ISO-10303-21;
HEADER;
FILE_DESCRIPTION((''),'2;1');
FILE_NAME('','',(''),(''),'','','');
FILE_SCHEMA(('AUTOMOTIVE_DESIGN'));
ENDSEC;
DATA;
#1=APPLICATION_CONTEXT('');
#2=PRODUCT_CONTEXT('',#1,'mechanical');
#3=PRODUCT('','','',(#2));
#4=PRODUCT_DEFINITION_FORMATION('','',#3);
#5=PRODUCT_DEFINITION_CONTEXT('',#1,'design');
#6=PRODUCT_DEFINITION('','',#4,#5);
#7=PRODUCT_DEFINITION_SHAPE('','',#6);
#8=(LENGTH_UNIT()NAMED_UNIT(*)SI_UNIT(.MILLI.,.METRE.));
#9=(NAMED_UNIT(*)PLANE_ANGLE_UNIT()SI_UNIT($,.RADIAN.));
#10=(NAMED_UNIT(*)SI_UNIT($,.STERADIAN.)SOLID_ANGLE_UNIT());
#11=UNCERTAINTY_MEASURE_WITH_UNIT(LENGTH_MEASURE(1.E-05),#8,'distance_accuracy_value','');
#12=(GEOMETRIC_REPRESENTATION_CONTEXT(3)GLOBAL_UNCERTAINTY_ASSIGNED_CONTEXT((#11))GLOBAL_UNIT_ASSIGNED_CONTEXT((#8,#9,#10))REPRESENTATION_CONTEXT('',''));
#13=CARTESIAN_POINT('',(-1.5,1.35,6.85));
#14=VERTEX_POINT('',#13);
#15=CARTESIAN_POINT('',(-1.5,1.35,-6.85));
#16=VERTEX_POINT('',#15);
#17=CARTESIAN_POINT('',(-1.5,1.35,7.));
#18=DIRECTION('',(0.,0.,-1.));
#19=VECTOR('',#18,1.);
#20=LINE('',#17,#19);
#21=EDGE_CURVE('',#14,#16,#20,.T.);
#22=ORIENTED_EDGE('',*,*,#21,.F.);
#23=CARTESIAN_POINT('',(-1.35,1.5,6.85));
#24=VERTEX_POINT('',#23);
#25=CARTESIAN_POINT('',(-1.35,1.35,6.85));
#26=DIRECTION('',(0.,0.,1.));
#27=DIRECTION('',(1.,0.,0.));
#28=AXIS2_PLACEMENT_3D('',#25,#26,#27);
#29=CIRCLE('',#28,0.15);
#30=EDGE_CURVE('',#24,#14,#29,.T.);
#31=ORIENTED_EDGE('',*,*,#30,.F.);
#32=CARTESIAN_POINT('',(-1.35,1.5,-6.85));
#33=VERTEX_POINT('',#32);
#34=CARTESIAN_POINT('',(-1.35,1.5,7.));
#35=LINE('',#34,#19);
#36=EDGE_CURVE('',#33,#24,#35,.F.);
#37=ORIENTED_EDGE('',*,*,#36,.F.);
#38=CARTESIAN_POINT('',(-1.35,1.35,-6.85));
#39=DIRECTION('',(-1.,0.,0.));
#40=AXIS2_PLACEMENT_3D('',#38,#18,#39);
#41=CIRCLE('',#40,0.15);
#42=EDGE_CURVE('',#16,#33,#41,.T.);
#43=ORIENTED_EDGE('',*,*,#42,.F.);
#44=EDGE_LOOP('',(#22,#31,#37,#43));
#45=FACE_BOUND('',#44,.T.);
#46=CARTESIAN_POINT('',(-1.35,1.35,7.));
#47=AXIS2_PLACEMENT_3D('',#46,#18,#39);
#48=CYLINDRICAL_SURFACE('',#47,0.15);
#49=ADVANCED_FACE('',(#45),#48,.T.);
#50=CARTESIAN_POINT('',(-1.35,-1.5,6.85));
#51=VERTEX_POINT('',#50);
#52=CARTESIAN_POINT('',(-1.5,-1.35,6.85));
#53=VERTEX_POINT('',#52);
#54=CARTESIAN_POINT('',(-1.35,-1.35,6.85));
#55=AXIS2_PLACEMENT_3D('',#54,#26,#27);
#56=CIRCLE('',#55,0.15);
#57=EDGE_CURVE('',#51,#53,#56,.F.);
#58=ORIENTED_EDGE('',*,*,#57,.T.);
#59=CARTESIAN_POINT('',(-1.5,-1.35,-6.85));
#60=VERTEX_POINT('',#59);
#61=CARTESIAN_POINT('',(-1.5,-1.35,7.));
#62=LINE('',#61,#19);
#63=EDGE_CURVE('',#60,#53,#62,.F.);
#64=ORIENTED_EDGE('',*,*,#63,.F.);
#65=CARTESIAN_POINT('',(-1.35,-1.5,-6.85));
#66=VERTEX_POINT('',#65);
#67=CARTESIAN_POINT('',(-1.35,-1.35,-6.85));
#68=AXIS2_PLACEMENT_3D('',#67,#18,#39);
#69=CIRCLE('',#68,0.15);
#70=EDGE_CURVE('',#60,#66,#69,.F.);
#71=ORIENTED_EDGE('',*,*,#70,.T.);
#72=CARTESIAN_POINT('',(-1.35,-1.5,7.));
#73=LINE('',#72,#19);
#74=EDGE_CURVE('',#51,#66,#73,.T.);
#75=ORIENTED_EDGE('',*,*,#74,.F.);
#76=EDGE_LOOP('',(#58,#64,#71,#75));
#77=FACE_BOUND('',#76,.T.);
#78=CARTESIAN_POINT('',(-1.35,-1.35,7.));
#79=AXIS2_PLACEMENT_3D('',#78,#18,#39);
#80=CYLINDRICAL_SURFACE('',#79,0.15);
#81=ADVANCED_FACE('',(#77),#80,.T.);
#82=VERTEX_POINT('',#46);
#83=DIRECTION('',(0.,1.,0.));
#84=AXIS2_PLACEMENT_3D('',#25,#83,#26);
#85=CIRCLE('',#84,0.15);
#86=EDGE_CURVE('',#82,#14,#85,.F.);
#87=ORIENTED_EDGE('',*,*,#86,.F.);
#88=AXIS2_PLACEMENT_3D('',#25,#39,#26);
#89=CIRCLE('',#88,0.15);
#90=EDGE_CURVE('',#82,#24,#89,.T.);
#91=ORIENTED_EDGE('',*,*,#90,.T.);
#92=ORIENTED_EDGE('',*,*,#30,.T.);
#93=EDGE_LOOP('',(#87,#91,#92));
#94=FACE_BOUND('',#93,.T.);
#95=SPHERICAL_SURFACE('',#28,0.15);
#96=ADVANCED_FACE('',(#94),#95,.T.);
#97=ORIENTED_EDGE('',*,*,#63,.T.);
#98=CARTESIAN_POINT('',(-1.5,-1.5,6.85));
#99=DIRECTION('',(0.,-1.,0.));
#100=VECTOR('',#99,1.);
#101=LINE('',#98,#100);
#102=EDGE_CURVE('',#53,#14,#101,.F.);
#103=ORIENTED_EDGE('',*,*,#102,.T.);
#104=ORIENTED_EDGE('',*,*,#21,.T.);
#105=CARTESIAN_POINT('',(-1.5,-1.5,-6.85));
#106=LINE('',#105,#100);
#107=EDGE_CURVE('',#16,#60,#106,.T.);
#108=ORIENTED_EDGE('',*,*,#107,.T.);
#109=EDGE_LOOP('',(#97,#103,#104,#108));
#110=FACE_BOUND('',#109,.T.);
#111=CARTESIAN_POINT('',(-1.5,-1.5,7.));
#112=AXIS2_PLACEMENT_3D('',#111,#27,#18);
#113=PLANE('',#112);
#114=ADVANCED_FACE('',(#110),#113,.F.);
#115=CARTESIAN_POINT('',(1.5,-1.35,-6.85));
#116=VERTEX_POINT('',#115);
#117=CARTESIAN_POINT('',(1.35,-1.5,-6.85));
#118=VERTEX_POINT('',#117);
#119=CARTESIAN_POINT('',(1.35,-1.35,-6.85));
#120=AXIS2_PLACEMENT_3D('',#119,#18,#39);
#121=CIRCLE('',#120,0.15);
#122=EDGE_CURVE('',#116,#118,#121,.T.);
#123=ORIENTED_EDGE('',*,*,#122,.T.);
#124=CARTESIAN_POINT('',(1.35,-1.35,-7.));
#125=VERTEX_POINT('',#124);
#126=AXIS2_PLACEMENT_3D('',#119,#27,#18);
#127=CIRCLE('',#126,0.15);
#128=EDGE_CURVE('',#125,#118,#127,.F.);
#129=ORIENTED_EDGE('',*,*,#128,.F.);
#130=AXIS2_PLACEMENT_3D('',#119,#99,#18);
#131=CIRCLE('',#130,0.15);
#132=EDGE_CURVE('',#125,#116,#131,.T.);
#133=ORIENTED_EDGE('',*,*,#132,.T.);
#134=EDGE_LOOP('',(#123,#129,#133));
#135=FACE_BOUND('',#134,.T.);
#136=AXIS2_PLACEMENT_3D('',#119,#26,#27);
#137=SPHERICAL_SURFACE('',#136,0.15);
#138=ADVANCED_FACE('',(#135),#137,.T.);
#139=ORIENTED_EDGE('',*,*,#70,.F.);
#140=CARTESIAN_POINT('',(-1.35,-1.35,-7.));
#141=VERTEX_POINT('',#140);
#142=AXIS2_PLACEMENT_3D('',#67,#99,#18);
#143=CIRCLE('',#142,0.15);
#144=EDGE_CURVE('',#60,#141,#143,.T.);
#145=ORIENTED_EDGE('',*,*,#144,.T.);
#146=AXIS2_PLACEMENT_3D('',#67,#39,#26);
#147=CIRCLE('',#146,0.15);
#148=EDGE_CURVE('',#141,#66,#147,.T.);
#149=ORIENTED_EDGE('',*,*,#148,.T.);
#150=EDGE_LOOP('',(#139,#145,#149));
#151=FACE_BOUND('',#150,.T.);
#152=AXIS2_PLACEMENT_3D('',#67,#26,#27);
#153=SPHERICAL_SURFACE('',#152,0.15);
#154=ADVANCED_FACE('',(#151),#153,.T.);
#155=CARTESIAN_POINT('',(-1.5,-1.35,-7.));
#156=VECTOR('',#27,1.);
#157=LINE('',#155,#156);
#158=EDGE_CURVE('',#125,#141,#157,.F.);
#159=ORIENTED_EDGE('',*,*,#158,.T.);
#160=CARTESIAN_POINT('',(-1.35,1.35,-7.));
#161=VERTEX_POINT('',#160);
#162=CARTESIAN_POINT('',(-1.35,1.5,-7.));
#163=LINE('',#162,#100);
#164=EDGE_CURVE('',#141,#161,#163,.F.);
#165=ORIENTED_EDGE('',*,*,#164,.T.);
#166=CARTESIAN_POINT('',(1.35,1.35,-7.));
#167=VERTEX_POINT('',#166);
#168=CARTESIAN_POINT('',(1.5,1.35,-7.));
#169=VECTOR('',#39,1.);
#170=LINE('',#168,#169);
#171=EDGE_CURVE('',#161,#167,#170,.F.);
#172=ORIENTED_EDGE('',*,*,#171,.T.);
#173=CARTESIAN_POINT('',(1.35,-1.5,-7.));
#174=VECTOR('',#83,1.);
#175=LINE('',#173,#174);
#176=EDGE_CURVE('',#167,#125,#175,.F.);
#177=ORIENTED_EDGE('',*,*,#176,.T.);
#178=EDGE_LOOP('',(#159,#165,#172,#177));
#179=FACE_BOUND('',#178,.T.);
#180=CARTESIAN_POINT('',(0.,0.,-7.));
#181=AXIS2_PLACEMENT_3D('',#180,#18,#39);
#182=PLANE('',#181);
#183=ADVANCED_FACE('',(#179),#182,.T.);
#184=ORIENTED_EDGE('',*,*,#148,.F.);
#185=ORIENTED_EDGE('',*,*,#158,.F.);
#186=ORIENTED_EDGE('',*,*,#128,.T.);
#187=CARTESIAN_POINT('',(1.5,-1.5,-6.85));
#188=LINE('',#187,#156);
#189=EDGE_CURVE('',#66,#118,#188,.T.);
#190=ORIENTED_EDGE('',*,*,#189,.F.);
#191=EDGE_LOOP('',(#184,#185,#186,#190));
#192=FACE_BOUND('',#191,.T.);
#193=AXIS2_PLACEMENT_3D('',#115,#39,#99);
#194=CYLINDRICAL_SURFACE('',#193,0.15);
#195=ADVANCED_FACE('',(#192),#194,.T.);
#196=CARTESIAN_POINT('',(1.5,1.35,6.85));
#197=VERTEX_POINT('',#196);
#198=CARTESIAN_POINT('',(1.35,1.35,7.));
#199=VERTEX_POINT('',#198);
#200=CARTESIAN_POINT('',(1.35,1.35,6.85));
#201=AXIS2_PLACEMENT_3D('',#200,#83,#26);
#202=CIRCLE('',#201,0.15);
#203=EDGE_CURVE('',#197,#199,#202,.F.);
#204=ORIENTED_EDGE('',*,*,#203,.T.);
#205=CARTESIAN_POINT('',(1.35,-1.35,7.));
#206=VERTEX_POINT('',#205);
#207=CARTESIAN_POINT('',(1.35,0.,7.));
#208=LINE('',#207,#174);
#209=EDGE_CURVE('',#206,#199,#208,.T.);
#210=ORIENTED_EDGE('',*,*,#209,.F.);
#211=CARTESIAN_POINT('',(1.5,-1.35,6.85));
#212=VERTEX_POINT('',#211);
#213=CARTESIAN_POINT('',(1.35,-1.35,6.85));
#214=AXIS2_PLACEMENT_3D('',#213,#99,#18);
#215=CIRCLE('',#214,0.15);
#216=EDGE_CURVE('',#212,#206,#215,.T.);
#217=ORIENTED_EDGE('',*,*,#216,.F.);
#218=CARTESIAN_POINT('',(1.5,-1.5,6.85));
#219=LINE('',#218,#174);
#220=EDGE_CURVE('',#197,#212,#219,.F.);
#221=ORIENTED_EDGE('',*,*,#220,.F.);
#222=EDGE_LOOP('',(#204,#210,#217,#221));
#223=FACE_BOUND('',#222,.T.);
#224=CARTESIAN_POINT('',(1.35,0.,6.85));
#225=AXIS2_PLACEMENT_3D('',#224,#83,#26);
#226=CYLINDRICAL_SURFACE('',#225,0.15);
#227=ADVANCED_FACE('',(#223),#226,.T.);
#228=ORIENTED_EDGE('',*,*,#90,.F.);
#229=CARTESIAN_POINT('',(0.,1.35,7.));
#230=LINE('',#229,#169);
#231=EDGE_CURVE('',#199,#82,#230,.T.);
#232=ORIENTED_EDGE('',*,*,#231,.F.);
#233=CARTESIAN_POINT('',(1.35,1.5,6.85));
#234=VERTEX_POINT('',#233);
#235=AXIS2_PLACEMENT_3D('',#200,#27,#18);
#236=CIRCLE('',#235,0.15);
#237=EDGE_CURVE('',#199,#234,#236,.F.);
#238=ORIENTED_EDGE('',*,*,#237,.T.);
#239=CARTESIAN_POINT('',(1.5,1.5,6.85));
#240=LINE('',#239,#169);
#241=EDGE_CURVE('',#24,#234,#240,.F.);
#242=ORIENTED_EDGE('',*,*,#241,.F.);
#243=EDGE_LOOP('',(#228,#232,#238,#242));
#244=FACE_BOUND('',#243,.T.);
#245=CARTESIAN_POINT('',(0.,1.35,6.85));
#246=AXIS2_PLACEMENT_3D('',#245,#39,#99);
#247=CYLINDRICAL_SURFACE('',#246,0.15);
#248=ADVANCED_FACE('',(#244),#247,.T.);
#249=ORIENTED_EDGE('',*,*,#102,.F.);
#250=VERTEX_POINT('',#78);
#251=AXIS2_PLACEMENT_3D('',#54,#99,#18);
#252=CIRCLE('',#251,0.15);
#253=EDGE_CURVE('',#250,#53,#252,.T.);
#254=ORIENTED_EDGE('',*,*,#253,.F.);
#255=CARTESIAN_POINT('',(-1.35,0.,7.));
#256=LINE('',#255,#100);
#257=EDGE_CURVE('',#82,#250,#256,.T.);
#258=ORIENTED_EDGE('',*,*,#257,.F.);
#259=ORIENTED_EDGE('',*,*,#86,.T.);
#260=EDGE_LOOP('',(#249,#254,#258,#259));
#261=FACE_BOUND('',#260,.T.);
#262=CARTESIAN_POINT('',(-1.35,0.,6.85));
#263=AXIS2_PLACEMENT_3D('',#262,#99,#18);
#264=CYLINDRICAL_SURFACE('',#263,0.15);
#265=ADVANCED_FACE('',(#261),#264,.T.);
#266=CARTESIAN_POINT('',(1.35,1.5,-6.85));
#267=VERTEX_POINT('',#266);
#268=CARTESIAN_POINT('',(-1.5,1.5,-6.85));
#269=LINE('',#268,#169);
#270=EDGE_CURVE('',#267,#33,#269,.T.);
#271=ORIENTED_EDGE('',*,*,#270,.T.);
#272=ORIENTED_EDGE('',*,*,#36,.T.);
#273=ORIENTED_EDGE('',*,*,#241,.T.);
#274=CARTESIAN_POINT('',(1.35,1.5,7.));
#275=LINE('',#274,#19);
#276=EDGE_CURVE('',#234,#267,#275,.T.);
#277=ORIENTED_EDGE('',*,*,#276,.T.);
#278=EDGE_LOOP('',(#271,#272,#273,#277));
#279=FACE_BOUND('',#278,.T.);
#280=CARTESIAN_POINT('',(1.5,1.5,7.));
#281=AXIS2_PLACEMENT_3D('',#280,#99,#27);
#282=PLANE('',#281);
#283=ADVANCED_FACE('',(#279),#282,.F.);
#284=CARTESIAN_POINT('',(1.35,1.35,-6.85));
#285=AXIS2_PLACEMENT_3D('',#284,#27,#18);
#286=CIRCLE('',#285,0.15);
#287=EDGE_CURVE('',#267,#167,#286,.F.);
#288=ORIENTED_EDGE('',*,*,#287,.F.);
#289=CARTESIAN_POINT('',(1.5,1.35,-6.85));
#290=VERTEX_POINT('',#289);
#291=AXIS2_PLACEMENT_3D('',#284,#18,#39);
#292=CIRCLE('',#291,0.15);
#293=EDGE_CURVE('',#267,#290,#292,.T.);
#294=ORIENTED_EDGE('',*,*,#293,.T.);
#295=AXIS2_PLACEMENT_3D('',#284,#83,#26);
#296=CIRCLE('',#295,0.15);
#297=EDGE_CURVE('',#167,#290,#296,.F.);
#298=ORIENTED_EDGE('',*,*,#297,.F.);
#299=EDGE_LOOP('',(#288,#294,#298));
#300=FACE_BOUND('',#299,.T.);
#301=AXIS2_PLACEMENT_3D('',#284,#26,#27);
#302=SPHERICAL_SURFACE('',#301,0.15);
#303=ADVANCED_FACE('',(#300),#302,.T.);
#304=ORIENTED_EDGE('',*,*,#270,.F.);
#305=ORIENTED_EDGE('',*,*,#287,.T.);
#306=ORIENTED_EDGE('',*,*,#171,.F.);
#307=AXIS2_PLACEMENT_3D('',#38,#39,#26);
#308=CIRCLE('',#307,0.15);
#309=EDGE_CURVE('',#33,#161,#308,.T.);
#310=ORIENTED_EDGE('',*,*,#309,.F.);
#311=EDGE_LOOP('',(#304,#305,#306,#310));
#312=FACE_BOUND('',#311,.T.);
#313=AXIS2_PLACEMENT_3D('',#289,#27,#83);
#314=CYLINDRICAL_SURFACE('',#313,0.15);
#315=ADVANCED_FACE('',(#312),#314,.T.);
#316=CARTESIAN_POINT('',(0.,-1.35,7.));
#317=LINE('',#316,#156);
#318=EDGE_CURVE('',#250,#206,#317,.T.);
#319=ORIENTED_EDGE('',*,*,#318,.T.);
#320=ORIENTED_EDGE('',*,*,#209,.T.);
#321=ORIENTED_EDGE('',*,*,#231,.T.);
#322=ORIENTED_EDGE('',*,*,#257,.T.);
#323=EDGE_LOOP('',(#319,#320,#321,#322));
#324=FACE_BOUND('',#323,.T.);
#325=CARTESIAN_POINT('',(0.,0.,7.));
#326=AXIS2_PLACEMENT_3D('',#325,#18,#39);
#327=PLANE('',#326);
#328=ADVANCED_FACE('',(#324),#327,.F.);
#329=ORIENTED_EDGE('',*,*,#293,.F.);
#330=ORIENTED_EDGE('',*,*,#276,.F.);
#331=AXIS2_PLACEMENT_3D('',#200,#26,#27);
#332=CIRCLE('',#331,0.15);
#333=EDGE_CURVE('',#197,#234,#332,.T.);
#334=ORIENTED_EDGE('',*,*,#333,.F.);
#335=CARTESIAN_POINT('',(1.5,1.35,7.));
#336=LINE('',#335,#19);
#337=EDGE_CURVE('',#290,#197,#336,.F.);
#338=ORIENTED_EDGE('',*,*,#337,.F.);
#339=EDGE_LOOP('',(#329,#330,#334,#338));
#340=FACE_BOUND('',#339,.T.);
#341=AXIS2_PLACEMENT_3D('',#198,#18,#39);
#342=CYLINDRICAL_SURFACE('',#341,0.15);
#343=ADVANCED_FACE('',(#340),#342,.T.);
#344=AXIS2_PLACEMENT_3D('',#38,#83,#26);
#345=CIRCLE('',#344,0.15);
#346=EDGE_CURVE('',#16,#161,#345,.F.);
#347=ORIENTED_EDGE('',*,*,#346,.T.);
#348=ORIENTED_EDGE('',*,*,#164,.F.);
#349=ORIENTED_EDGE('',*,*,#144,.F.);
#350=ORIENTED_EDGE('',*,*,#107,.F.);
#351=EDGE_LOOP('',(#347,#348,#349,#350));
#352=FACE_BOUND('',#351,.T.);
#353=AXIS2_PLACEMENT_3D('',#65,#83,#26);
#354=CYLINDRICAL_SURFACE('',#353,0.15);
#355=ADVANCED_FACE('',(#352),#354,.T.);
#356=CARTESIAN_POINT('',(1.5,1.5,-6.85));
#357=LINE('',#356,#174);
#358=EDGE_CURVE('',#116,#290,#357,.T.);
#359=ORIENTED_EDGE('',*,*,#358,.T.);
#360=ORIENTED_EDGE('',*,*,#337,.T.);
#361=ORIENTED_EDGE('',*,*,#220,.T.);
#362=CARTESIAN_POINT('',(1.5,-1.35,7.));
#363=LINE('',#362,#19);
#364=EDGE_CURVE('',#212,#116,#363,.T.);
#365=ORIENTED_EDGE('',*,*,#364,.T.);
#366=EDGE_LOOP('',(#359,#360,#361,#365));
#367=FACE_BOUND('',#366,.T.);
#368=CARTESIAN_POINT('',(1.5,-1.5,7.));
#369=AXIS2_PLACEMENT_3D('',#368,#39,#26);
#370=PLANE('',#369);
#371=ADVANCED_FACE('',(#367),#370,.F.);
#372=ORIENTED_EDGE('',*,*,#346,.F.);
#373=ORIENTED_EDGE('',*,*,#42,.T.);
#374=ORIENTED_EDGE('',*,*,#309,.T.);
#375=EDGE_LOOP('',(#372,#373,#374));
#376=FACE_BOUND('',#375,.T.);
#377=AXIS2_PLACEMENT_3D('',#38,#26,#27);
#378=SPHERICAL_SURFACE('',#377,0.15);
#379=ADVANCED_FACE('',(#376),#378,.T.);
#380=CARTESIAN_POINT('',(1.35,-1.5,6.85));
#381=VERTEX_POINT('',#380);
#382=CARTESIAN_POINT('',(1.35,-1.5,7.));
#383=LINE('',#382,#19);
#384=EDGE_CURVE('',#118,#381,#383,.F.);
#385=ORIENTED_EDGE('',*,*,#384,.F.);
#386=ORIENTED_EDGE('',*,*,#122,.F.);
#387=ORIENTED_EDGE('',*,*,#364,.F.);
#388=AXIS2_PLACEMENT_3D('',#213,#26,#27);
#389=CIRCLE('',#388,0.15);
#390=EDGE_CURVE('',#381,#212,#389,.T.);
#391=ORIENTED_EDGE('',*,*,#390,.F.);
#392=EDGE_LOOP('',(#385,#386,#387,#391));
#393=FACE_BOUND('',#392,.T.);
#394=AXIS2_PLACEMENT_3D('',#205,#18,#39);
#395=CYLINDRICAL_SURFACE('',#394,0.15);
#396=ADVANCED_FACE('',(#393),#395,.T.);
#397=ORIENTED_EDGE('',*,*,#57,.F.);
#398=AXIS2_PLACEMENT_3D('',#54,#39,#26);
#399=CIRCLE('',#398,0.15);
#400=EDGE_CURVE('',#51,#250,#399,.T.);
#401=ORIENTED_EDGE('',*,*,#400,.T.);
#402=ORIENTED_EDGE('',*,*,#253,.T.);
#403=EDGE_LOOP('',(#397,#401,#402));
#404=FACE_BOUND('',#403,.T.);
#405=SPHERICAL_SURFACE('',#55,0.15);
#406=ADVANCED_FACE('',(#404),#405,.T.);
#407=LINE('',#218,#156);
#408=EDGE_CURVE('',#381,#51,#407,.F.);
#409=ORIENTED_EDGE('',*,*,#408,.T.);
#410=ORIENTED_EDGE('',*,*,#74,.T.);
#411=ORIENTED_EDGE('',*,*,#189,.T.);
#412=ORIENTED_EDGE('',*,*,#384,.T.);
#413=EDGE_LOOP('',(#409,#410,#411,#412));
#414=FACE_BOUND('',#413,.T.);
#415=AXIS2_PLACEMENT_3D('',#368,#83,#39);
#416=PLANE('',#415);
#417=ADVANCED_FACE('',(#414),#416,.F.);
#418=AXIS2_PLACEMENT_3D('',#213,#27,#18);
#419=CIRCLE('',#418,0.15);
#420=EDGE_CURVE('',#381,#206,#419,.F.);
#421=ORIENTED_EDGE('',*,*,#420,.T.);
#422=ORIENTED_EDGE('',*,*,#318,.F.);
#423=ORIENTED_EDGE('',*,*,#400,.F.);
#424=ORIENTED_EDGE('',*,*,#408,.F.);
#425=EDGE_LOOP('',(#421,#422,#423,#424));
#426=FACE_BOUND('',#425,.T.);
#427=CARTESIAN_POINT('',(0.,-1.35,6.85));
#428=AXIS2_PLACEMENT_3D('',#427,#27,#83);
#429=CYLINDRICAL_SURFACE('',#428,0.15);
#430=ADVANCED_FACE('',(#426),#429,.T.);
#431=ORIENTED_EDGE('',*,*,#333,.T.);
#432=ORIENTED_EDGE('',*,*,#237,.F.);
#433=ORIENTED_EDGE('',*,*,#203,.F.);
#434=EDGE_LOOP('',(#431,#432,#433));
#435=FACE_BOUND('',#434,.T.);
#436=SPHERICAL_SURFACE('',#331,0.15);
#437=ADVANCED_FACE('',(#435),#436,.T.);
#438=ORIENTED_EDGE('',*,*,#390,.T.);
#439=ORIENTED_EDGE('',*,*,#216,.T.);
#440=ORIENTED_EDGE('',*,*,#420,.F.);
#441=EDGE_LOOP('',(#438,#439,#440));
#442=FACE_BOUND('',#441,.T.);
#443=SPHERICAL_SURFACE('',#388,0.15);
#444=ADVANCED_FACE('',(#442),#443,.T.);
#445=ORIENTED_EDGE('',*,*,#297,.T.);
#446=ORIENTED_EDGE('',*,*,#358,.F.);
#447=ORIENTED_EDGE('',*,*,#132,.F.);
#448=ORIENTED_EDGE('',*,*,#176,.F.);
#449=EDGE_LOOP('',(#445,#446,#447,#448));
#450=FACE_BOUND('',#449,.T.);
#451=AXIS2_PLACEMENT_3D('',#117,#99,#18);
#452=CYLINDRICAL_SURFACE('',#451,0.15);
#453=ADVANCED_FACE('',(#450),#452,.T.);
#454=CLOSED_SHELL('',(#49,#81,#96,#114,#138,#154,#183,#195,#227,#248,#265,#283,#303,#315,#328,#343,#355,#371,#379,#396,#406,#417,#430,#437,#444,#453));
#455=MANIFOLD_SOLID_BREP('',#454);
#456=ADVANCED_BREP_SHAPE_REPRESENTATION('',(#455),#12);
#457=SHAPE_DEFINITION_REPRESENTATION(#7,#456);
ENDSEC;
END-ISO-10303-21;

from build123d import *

# Parameters (mm, degrees)
SKETCH3_W                = 3
SKETCH3_H                = 3
BOSS_EXTRUDE1_DEPTH      = 7
BOSS_EXTRUDE1_DEPTH_BACK = 7
FILLET2_R                = 0.15


with BuildPart() as part:
    # Sketch3 → Boss-Extrude1 (new body, two sides)
    with BuildSketch(Plane.XY) as boss_extrude1_sk:
        Rectangle(SKETCH3_W, SKETCH3_H)
    extrude(amount=BOSS_EXTRUDE1_DEPTH)
    extrude(boss_extrude1_sk.sketch, amount=-BOSS_EXTRUDE1_DEPTH_BACK)

    # Fillet2
    fillet2_edges = [part.edges().sort_by_distance(p)[0] for p in [
        (0, 1.5, 7),
        (0, -1.5, -7),
        (-1.5, 0, -7),
        (0, 1.5, -7),
        (1.5, 0, -7),
        (-1.5, 0, 7),
        (0, -1.5, 7),
        (1.5, 0, 7),
        (-1.5, -1.5, 0),
        (-1.5, 1.5, 0),
        (1.5, 1.5, 0),
        (1.5, -1.5, 0),
    ]]
    fillet(fillet2_edges, radius=FILLET2_R)


solid = part.part
